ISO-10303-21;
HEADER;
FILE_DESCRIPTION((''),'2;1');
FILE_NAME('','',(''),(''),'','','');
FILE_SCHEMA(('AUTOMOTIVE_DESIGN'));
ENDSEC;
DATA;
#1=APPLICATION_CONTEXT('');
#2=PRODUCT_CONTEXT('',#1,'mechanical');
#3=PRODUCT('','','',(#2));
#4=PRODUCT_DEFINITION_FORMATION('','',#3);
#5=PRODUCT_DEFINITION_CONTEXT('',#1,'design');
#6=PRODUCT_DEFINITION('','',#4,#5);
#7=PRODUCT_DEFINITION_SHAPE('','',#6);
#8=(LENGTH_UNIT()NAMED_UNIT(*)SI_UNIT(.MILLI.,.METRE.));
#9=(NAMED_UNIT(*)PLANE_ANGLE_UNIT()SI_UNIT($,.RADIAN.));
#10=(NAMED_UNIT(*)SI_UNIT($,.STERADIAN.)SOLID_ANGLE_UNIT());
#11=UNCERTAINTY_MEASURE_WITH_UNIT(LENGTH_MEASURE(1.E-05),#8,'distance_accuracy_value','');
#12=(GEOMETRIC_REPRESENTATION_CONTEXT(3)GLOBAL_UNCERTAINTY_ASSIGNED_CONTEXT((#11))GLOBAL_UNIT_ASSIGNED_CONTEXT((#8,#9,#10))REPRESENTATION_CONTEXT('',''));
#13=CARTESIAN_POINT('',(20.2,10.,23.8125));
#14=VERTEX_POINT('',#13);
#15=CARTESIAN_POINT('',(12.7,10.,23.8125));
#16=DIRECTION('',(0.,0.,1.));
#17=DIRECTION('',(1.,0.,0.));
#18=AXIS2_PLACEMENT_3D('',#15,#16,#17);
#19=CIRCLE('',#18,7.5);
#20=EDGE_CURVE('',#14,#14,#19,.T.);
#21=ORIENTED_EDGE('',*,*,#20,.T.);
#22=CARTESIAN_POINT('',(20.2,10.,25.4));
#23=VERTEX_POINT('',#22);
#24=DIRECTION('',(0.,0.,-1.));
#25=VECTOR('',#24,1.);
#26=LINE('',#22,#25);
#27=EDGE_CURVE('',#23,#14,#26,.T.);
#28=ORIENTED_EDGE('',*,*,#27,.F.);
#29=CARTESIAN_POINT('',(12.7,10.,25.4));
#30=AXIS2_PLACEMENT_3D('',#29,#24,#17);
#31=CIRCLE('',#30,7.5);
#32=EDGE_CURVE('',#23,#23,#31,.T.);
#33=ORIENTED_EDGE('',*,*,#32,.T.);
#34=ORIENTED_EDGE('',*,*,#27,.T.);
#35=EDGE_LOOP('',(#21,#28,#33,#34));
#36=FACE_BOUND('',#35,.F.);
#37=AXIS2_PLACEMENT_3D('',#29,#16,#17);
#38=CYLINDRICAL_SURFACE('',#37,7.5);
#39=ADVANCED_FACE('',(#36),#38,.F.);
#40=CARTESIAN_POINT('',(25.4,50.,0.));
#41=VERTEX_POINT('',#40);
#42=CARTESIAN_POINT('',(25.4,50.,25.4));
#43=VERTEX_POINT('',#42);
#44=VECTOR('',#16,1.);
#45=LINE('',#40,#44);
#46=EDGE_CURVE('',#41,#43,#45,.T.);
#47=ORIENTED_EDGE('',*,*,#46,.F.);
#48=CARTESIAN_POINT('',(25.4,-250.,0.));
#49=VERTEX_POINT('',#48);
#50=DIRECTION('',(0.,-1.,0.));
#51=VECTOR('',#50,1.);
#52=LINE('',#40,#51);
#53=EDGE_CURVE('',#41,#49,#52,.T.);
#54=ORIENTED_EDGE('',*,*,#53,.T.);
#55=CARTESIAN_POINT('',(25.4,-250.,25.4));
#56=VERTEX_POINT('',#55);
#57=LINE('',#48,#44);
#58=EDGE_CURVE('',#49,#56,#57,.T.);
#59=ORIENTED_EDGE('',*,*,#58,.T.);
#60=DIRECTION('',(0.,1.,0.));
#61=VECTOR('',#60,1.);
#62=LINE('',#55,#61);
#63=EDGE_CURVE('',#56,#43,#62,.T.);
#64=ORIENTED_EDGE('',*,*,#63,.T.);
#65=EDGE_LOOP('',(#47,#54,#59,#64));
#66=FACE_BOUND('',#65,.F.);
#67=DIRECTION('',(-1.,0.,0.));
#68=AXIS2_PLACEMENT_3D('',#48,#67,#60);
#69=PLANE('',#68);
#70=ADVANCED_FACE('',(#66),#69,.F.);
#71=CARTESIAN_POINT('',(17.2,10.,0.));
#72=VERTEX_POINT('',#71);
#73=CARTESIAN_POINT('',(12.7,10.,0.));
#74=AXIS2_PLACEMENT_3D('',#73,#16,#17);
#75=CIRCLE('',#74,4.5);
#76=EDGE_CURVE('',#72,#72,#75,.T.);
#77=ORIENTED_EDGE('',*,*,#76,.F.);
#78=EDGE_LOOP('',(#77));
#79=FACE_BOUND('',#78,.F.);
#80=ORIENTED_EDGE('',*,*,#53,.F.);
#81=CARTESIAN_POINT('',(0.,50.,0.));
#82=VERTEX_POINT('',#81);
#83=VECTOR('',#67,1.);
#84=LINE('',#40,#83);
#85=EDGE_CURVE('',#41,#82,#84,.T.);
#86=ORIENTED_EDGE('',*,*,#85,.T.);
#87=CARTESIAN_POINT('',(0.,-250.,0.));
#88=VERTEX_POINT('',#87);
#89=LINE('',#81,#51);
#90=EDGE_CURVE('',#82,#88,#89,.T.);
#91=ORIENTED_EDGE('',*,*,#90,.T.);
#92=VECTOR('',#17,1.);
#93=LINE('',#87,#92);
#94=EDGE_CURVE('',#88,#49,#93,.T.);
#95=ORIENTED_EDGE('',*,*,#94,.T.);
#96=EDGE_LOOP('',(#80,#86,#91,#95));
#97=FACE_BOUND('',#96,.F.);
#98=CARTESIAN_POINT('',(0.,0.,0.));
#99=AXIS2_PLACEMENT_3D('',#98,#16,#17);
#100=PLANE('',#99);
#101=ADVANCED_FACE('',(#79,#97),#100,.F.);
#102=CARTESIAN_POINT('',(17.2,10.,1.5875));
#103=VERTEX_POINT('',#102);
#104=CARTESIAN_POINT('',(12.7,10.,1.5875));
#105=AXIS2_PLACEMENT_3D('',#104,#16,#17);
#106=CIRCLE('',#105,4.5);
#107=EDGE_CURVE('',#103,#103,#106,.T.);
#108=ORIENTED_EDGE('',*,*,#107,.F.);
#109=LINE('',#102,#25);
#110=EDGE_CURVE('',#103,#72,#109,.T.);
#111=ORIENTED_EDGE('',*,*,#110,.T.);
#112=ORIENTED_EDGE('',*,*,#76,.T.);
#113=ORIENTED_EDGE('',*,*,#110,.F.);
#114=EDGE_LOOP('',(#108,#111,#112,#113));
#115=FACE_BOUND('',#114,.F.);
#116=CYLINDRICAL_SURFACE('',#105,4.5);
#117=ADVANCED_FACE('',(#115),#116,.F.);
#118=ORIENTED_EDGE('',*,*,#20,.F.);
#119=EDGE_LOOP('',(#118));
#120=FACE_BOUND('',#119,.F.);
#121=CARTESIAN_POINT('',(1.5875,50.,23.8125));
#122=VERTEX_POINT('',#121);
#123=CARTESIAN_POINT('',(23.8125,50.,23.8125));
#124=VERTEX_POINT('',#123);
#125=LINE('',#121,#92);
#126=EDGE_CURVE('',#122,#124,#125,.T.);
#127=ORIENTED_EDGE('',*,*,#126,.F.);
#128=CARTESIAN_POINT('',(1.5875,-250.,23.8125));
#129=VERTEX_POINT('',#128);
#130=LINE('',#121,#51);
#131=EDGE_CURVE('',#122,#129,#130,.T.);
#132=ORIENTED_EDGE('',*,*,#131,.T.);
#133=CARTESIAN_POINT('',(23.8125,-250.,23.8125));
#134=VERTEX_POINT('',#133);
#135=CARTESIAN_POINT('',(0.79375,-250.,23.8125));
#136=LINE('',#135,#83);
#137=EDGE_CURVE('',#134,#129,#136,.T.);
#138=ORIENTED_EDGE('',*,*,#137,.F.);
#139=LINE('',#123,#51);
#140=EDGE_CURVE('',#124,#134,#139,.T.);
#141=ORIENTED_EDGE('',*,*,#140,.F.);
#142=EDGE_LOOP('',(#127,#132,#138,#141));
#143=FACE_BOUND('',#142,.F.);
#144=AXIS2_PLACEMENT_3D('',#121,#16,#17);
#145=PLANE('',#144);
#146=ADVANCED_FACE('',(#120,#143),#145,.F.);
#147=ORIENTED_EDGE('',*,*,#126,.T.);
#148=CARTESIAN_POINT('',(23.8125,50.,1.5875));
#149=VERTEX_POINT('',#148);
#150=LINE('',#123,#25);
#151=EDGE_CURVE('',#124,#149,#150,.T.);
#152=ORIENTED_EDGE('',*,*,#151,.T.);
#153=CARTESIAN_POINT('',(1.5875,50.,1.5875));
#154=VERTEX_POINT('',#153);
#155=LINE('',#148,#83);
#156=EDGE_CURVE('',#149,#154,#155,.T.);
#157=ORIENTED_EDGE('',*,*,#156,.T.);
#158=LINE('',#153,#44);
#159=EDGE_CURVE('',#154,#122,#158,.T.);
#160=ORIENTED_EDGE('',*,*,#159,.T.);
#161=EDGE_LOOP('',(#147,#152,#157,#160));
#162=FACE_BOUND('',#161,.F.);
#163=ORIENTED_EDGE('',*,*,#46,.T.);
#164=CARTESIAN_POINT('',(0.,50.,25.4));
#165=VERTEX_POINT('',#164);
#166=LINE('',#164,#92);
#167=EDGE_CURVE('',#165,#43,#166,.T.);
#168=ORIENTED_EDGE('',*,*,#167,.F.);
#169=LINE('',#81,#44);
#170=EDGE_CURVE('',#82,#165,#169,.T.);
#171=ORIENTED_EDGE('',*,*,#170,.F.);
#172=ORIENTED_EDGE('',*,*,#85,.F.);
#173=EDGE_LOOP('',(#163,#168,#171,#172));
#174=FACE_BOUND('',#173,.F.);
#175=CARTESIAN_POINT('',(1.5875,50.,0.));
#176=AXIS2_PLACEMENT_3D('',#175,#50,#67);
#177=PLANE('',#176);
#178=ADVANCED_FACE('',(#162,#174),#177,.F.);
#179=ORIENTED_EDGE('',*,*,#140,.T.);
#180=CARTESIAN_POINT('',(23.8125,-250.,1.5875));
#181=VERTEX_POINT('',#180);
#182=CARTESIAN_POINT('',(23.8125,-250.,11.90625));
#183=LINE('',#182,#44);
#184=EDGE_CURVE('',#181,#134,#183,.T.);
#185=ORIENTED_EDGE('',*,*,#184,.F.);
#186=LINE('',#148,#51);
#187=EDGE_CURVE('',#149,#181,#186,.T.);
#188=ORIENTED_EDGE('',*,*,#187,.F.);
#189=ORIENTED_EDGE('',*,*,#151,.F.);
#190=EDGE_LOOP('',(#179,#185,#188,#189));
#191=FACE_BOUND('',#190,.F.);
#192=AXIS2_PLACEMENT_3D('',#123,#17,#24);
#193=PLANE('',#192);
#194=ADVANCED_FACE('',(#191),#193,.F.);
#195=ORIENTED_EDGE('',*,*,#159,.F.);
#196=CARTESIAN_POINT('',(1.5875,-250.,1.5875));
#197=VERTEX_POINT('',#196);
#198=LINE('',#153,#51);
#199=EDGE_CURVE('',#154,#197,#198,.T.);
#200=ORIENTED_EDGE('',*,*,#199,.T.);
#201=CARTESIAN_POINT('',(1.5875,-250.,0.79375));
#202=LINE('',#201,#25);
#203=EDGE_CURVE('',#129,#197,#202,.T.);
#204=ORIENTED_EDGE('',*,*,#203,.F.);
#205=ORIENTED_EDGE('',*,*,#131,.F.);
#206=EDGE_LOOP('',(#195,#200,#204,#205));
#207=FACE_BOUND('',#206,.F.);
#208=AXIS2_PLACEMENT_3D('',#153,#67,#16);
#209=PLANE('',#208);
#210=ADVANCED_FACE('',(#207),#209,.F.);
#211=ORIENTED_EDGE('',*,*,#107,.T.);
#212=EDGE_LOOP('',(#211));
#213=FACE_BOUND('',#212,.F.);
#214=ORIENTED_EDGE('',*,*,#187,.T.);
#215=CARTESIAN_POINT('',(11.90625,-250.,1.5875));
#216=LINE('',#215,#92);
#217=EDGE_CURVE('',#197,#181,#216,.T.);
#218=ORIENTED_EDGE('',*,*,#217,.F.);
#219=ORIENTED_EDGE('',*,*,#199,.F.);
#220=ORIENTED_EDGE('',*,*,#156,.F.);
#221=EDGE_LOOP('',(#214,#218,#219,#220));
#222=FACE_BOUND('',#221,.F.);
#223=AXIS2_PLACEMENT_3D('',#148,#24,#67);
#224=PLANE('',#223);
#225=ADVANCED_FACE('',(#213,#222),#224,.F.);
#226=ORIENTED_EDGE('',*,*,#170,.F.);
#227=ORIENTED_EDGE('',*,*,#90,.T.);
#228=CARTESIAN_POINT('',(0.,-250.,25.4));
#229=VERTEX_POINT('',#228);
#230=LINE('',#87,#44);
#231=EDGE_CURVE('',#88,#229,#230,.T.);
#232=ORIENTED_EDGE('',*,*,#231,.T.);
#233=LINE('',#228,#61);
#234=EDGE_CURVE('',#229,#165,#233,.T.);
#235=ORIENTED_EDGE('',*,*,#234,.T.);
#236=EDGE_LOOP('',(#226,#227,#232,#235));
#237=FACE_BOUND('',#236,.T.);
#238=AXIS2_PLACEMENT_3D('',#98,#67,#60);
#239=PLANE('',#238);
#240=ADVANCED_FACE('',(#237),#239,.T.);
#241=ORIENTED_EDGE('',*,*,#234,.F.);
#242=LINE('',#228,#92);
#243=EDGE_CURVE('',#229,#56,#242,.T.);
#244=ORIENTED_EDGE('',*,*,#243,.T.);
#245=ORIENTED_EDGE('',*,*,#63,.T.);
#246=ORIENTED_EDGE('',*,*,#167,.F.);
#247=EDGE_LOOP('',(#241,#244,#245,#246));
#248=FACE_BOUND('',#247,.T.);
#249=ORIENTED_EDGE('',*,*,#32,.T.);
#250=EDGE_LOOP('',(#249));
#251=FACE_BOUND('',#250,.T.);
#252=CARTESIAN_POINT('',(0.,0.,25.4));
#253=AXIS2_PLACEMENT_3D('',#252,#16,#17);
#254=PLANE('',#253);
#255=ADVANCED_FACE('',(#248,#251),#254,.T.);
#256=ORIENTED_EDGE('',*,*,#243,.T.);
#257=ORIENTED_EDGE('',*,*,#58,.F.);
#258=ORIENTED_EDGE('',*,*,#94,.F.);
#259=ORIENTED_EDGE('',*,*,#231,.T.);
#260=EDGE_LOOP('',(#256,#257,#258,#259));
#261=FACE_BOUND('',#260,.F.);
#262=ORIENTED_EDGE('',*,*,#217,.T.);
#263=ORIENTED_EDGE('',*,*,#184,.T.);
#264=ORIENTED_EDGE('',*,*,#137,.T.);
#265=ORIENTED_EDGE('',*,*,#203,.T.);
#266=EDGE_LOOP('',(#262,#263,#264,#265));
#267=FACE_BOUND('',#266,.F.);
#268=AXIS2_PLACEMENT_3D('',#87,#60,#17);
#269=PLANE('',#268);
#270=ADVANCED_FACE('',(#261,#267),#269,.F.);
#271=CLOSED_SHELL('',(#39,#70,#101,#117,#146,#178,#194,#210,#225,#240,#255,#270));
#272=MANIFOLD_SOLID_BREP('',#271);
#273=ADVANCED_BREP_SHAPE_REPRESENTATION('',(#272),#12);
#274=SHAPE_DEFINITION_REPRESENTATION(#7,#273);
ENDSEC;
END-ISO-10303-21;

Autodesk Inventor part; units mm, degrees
ref_plane "YZ Plane" through (0, 0, 0) normal (1, 0, 0) x (0, 1, 0)
ref_plane "XZ Plane" through (0, 0, 0) normal (0, 1, 0) x (-1, 0, 0)
ref_plane "XY Plane" through (0, 0, 0) normal (0, 0, 1) x (1, 0, 0)
sketch "Sketch1" plane through (0, 0, 0) normal (0, 0, 1) x (1, 0, 0)
  line L0 (0, 0) -> (25.4, 0) projected
  line L1 (25.4, 0) -> (25.4, 500) projected
  line L2 (0, 500) -> (25.4, 500) projected
  line L3 (0, 0) -> (0, 500) projected
  line L4 (23.8125, 0) -> (23.8125, 500) projected
  line L5 (1.5875, 0) -> (1.5875, 500) projected
  line L6 (25.4, 50) -> (0, 50)
  line L7 (0, 50) -> (0, -250)
  line L8 (0, -250) -> (25.4, -250)
  line L9 (25.4, -250) -> (25.4, 50)
  dimension "d0" = 50
  dimension "d1" = 300
extrude "Extrusion1" add sketch "Sketch1" along normal blind 25.4 contours L3 L6 L5 L0 | L0 L9 L8 L7 | L5 L6 L4 L0 | L4 L6 L1 L0
sketch "Sketch2" plane through (0, 50, 0) normal (0, 1, 0) x (1, 0, 0)
  line L0 (23.8125, -1.5875) -> (1.5875, -1.5875)
  line L1 (1.5875, -1.5875) -> (1.5875, -23.8125)
  line L2 (1.5875, -23.8125) -> (23.8125, -23.8125)
  line L3 (23.8125, -23.8125) -> (23.8125, -1.5875)
  line L4 (23.8125, 23.8125) -> (23.8125, 1.5875) projected
  line L5 (1.5875, 1.5875) -> (1.5875, 23.8125) projected
  line L6 (25.4, -25.4) -> (0, -25.4) projected
  point P0 (0, 0)
  dimension "d4" = 22.225
  dimension "d5" = 1.5875
extrude "Extrusion2" cut sketch "Sketch2" against normal up to next
sketch "Sketch3" plane through (0, 0, 25.4) normal (0, 0, 1) x (1, 0, 0)
  circle A0 centre (12.7, 10) radius 7.5
  line L0 (25.4, -250) -> (25.4, 50) projected
  line L1 (0, 0) -> (25.4, 0) projected
  line L2 (0, 0) -> (25.4, 0) projected
  line L3 (23.8125, 15.05) -> (1.5875, 15.05)
  dimension "d8" = 15
  dimension "d9" = 12.7
  dimension "d10" = 10
extrude "Extrusion3" cut sketch "Sketch3" against normal up to next
sketch "Sketch4" plane through (1.5875, 50, 1.5875) normal (0, 0, 1) x (1, 0, 0)
  circle A0 centre (11.1125, -40) radius 7.5 projected
  circle A1 centre (11.1125, -40) radius 4.5
  point P0 (-1.5875, -50)
  dimension "d13" = 9
extrude "Extrusion4" cut sketch "Sketch4" against normal up to next contours A1
properties part number "CounterWeight"
